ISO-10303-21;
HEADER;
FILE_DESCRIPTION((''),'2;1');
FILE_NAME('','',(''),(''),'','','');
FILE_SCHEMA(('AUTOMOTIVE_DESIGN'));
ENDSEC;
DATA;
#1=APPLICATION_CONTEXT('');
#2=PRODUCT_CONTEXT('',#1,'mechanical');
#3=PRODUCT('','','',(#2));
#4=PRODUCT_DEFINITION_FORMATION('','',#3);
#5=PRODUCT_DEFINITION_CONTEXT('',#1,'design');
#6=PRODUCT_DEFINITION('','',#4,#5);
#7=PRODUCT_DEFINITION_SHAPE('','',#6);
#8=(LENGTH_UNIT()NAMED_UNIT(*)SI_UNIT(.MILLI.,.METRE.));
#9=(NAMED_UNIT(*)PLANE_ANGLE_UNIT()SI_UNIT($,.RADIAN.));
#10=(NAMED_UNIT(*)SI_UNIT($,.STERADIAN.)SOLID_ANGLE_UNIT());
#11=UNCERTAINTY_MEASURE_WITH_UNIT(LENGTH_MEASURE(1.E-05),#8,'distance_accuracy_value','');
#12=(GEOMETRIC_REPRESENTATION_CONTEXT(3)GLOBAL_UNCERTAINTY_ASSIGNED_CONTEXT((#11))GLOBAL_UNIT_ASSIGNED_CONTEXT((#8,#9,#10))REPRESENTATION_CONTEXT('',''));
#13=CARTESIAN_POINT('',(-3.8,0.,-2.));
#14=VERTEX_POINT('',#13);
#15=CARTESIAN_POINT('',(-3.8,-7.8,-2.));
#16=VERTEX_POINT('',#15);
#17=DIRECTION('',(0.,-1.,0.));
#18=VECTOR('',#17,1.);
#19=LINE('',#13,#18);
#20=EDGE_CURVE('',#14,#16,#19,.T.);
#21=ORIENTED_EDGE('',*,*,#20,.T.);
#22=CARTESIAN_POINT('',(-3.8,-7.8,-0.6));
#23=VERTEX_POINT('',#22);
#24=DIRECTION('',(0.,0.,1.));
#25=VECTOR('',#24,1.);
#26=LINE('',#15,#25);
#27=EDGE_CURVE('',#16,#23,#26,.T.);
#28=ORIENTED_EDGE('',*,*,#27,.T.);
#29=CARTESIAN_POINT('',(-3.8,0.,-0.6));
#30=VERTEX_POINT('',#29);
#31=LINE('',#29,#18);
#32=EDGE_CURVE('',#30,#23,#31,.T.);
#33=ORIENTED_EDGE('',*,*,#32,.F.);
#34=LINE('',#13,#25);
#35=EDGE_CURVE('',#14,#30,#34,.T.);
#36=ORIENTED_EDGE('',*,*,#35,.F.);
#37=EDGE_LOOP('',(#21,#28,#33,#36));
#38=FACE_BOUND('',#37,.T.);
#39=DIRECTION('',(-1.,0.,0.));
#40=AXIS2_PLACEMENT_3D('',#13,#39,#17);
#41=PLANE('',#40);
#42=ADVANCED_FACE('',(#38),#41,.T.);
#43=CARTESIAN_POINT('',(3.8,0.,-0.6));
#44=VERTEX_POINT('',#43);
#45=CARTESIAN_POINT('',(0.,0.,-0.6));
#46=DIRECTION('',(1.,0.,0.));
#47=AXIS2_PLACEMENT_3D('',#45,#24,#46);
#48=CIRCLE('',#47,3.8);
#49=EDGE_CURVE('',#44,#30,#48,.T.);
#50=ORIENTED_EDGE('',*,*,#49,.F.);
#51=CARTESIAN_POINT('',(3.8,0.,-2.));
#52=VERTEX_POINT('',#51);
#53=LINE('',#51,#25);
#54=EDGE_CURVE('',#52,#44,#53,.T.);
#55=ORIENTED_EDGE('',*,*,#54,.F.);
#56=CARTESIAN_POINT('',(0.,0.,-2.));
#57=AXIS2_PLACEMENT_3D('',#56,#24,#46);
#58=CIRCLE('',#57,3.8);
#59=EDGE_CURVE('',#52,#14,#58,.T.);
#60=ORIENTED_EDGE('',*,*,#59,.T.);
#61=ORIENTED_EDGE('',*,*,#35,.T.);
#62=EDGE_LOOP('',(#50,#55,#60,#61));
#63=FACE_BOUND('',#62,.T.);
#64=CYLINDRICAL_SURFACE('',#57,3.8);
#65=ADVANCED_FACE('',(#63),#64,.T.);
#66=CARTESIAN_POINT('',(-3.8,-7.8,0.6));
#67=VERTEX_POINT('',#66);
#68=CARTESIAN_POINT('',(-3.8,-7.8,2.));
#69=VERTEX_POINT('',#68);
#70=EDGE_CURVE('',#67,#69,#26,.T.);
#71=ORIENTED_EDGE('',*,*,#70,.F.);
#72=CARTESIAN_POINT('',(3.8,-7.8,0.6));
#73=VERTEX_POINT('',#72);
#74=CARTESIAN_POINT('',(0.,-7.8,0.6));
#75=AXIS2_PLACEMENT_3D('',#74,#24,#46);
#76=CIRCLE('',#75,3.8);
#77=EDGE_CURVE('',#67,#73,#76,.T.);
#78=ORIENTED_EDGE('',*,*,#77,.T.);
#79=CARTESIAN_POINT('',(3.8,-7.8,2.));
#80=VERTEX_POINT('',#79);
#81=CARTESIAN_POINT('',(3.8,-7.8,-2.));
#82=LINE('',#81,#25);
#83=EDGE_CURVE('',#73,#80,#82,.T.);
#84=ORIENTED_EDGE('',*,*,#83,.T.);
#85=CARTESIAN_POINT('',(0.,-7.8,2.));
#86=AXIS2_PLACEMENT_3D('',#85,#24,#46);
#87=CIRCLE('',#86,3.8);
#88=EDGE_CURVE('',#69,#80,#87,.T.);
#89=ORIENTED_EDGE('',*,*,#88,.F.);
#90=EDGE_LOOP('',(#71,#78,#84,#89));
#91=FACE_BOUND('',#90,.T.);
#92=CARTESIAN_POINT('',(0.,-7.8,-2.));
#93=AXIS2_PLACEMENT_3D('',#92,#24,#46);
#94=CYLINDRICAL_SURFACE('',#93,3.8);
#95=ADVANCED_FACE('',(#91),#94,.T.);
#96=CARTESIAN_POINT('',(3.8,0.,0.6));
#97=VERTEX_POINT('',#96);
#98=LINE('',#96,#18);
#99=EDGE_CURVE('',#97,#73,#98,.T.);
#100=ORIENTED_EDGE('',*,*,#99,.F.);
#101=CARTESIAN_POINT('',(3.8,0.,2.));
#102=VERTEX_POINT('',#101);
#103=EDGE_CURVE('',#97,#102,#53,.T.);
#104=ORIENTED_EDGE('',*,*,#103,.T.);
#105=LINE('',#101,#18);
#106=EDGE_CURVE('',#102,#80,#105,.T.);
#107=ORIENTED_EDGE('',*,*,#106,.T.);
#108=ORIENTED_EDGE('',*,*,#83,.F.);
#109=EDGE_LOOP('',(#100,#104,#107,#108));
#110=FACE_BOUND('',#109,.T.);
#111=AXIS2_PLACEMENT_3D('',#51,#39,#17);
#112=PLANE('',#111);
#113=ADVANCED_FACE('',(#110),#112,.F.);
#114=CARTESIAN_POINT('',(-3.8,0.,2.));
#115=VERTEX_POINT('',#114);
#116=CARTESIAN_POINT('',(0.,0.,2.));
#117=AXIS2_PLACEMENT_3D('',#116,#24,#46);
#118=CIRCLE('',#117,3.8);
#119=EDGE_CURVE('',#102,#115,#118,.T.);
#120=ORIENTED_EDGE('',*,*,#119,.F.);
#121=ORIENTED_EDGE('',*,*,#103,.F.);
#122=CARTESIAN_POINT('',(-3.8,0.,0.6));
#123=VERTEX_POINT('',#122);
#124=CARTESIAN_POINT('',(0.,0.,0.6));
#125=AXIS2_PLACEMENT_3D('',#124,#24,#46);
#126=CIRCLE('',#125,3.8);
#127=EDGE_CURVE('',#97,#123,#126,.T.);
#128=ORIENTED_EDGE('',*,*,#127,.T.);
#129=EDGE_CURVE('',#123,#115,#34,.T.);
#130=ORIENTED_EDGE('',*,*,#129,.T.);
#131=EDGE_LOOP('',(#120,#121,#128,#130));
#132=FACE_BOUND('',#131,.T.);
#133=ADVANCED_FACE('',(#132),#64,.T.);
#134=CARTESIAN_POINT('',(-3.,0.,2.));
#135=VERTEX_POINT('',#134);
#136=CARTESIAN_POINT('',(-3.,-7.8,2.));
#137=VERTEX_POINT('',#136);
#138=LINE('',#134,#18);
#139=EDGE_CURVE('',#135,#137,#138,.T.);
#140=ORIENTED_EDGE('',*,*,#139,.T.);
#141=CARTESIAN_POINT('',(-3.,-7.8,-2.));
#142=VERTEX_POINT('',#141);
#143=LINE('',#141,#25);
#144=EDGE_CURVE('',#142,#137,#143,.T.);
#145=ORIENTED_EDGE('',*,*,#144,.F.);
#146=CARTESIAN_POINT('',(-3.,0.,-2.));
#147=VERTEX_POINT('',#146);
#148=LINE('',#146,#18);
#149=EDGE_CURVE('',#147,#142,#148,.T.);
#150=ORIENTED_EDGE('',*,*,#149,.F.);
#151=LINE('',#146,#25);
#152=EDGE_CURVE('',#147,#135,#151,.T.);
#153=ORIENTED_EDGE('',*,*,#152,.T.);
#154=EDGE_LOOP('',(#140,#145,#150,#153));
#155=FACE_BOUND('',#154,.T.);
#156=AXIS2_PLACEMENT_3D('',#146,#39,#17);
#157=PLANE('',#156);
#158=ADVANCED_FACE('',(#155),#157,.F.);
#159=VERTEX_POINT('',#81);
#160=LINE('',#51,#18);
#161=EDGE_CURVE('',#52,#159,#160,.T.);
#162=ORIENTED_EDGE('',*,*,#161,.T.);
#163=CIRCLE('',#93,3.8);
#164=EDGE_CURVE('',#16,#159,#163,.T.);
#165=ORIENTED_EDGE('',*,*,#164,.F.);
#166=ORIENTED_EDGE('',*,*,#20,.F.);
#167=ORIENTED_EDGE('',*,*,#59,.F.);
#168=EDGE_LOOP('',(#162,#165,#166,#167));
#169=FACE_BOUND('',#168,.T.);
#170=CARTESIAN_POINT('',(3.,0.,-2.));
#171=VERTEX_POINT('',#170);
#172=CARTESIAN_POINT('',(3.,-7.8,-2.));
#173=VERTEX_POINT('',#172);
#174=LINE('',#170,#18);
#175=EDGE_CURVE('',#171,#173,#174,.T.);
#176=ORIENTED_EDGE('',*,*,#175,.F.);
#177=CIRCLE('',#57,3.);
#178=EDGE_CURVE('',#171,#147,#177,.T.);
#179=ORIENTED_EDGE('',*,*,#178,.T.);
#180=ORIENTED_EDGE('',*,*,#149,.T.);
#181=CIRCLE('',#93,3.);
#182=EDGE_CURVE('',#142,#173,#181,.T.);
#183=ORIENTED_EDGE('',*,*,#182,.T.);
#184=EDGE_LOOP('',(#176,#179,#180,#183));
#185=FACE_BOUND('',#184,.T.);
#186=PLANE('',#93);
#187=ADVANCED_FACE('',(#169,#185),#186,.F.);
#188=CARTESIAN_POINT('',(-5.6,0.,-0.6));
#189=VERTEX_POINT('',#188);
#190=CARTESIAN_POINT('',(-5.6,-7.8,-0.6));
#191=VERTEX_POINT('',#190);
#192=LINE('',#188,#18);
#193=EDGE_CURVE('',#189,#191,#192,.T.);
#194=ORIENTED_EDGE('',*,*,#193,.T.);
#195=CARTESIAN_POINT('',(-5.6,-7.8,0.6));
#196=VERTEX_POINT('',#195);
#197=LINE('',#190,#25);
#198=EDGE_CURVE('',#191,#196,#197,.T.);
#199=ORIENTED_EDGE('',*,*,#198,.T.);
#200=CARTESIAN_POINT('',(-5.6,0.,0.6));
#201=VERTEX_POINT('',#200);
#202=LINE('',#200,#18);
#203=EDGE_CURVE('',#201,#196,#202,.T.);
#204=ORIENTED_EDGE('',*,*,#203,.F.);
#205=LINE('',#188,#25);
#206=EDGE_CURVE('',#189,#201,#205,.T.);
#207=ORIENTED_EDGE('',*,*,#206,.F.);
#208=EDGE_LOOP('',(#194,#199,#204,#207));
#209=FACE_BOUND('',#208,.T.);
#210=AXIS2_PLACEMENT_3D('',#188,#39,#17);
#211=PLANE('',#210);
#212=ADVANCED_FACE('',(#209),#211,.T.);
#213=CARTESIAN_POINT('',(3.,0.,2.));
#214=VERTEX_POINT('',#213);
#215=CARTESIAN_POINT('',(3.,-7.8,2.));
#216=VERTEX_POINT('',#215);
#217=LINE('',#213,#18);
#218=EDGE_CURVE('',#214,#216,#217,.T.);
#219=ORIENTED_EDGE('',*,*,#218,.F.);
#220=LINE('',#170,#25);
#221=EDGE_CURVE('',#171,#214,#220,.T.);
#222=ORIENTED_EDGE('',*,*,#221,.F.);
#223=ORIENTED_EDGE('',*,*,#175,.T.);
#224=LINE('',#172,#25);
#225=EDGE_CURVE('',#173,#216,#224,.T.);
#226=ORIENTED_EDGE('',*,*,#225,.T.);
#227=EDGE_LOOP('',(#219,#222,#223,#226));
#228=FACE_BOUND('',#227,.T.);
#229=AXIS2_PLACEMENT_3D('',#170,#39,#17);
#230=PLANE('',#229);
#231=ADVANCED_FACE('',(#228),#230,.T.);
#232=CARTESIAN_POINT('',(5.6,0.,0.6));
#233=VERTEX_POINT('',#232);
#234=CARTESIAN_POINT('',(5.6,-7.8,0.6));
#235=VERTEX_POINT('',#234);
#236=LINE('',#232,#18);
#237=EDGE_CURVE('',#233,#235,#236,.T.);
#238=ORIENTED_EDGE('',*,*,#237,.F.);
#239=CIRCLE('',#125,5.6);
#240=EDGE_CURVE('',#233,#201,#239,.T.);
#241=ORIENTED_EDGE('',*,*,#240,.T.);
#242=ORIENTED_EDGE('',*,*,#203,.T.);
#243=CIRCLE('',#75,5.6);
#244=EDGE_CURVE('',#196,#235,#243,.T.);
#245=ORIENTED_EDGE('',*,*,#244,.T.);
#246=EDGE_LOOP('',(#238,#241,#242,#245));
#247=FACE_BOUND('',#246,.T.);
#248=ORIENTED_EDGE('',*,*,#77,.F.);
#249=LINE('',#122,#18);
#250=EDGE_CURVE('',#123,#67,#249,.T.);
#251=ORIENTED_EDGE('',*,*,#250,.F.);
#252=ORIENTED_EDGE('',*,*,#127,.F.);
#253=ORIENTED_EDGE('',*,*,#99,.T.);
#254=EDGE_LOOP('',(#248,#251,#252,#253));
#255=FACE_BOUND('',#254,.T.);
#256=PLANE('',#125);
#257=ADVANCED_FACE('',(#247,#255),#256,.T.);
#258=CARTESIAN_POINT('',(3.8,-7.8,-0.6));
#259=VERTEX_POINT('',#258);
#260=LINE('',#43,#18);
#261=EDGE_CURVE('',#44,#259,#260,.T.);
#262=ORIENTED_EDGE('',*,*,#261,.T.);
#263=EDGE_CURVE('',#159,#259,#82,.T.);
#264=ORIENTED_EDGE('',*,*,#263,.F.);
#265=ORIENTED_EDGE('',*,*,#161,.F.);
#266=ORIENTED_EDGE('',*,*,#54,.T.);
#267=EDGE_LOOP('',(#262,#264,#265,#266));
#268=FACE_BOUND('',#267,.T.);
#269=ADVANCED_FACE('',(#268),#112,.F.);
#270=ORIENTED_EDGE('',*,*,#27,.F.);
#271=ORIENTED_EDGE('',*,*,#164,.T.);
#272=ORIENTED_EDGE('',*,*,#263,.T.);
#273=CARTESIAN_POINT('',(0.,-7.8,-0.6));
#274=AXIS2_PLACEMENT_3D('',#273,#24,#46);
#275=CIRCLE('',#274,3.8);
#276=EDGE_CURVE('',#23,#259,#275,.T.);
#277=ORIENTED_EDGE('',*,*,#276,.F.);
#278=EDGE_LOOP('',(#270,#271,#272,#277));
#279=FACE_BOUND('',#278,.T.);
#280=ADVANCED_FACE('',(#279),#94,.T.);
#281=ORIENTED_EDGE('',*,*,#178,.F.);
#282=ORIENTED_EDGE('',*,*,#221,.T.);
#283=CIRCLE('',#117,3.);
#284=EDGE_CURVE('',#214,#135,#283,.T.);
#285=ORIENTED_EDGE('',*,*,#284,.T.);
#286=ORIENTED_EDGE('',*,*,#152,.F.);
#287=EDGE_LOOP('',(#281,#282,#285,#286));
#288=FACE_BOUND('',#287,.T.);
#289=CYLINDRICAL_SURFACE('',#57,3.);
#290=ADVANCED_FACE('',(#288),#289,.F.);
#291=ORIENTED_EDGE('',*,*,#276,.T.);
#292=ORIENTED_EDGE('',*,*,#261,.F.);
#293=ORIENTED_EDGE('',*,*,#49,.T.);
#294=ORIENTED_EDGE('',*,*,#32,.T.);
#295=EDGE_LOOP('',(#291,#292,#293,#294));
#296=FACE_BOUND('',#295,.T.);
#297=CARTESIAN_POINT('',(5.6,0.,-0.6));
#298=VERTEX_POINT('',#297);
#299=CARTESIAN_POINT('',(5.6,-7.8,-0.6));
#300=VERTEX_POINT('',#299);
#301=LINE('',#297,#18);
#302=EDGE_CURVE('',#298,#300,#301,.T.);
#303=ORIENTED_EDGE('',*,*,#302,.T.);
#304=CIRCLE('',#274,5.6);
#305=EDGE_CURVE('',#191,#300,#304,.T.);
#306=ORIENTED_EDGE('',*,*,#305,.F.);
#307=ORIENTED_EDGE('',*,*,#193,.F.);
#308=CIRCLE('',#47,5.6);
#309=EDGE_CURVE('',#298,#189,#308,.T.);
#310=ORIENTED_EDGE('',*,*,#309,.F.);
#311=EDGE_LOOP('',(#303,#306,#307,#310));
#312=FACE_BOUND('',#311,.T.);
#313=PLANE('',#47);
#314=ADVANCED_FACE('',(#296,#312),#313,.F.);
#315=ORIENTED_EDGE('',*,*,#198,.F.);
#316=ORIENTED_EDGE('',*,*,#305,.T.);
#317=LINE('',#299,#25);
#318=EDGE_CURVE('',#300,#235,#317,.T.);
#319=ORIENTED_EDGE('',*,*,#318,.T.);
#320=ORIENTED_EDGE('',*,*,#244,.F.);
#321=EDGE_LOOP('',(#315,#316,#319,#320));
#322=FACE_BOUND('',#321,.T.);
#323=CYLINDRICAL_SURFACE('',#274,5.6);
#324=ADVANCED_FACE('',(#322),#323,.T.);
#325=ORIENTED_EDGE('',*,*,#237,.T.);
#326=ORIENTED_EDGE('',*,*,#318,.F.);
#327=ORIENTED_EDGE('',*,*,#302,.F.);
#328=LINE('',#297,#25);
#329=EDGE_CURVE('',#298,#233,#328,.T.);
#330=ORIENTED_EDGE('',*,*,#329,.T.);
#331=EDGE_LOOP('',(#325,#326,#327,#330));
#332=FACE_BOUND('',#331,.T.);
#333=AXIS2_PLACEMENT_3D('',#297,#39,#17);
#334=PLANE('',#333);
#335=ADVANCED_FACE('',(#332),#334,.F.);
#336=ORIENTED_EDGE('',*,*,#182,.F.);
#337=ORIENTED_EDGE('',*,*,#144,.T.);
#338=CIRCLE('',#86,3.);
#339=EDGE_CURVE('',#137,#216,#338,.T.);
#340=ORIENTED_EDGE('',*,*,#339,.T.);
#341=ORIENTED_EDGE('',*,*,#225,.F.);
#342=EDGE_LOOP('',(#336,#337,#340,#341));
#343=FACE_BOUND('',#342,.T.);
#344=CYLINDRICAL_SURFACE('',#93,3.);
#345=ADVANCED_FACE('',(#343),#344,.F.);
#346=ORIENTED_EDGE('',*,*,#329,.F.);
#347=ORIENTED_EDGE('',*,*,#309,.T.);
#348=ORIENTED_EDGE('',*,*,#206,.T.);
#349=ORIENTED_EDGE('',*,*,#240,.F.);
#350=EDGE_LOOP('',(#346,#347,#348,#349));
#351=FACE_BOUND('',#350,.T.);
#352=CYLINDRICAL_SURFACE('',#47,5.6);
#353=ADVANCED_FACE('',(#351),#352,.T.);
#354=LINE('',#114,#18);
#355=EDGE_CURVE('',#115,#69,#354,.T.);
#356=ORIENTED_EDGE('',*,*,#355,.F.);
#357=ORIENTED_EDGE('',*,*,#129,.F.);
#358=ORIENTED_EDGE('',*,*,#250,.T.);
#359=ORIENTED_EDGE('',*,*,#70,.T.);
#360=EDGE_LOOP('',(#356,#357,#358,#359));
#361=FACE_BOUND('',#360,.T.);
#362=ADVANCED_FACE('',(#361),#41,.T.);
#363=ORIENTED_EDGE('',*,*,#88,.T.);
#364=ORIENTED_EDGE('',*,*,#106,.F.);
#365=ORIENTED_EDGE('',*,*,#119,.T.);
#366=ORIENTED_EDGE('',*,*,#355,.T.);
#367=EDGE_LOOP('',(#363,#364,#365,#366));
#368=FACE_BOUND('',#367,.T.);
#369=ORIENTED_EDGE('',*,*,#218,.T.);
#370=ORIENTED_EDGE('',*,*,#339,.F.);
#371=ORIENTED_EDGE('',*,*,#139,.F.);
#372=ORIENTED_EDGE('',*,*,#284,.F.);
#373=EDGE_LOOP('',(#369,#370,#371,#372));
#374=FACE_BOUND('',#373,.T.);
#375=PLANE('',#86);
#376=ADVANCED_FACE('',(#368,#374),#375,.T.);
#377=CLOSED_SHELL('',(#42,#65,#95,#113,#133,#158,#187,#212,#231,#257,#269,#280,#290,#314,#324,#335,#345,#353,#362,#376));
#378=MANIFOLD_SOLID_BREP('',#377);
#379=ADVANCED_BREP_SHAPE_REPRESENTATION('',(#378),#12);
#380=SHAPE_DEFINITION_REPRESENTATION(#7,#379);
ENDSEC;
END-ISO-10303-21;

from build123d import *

# Parameters (mm, degrees)
BOSS_EXTRUDE1_DEPTH      = 0.6
BOSS_EXTRUDE1_DEPTH_BACK = 0.6
BOSS_EXTRUDE2_DEPTH      = 2
BOSS_EXTRUDE2_DEPTH_BACK = 2
CUT_EXTRUDE1_DEPTH       = 15.660150067
CUT_EXTRUDE1_DEPTH_BACK  = 15.660150067


with BuildPart() as part:
    # Sketch1 → Boss-Extrude1 (new, two sides: drawn at the far end of the back side and taken through both)
    with BuildSketch(Plane.XY.offset(-BOSS_EXTRUDE1_DEPTH_BACK)):
        with BuildLine():
            Line((5.6, -7.8), (5.6, 0))
            ThreePointArc((5.6, 0), (0, 5.6), (-5.6, 0))
            Line((-5.6, 0), (-5.6, -7.8))
            ThreePointArc((-5.6, -7.8), (0, -13.4), (5.6, -7.8))
        make_face()
        with BuildLine():
            ThreePointArc((-3, 0), (0, 3), (3, 0))
            Line((3, 0), (3, -7.8))
            ThreePointArc((3, -7.8), (0, -10.8), (-3, -7.8))
            Line((-3, -7.8), (-3, 0))
        make_face(mode=Mode.SUBTRACT)
    extrude(amount=BOSS_EXTRUDE1_DEPTH + BOSS_EXTRUDE1_DEPTH_BACK)

    # Sketch1<3> → Boss-Extrude2 (add, two sides: drawn at the far end of the back side and taken through both)
    with BuildSketch(Plane.XY.offset(-BOSS_EXTRUDE2_DEPTH_BACK)):
        with BuildLine():
            Line((3.8, 0), (3.8, -7.8))
            ThreePointArc((3.8, -7.8), (0, -11.6), (-3.8, -7.8))
            Line((-3.8, -7.8), (-3.8, 0))
            ThreePointArc((-3.8, 0), (0, 3.8), (3.8, 0))
        make_face()
    extrude(amount=BOSS_EXTRUDE2_DEPTH + BOSS_EXTRUDE2_DEPTH_BACK)

    # Sketch1<4> → Cut-Extrude1 (cut, two sides: drawn at the far end of the back side and taken through both)
    with BuildSketch(Plane.XY.offset(-CUT_EXTRUDE1_DEPTH_BACK)):
        with BuildLine():
            Line((3, 0), (3, -7.8))
            ThreePointArc((3, -7.8), (0, -10.8), (-3, -7.8))
            Line((-3, -7.8), (-3, 0))
            ThreePointArc((-3, 0), (0, 3), (3, 0))
        make_face()
    extrude(amount=CUT_EXTRUDE1_DEPTH + CUT_EXTRUDE1_DEPTH_BACK, mode=Mode.SUBTRACT)


solid = part.part
